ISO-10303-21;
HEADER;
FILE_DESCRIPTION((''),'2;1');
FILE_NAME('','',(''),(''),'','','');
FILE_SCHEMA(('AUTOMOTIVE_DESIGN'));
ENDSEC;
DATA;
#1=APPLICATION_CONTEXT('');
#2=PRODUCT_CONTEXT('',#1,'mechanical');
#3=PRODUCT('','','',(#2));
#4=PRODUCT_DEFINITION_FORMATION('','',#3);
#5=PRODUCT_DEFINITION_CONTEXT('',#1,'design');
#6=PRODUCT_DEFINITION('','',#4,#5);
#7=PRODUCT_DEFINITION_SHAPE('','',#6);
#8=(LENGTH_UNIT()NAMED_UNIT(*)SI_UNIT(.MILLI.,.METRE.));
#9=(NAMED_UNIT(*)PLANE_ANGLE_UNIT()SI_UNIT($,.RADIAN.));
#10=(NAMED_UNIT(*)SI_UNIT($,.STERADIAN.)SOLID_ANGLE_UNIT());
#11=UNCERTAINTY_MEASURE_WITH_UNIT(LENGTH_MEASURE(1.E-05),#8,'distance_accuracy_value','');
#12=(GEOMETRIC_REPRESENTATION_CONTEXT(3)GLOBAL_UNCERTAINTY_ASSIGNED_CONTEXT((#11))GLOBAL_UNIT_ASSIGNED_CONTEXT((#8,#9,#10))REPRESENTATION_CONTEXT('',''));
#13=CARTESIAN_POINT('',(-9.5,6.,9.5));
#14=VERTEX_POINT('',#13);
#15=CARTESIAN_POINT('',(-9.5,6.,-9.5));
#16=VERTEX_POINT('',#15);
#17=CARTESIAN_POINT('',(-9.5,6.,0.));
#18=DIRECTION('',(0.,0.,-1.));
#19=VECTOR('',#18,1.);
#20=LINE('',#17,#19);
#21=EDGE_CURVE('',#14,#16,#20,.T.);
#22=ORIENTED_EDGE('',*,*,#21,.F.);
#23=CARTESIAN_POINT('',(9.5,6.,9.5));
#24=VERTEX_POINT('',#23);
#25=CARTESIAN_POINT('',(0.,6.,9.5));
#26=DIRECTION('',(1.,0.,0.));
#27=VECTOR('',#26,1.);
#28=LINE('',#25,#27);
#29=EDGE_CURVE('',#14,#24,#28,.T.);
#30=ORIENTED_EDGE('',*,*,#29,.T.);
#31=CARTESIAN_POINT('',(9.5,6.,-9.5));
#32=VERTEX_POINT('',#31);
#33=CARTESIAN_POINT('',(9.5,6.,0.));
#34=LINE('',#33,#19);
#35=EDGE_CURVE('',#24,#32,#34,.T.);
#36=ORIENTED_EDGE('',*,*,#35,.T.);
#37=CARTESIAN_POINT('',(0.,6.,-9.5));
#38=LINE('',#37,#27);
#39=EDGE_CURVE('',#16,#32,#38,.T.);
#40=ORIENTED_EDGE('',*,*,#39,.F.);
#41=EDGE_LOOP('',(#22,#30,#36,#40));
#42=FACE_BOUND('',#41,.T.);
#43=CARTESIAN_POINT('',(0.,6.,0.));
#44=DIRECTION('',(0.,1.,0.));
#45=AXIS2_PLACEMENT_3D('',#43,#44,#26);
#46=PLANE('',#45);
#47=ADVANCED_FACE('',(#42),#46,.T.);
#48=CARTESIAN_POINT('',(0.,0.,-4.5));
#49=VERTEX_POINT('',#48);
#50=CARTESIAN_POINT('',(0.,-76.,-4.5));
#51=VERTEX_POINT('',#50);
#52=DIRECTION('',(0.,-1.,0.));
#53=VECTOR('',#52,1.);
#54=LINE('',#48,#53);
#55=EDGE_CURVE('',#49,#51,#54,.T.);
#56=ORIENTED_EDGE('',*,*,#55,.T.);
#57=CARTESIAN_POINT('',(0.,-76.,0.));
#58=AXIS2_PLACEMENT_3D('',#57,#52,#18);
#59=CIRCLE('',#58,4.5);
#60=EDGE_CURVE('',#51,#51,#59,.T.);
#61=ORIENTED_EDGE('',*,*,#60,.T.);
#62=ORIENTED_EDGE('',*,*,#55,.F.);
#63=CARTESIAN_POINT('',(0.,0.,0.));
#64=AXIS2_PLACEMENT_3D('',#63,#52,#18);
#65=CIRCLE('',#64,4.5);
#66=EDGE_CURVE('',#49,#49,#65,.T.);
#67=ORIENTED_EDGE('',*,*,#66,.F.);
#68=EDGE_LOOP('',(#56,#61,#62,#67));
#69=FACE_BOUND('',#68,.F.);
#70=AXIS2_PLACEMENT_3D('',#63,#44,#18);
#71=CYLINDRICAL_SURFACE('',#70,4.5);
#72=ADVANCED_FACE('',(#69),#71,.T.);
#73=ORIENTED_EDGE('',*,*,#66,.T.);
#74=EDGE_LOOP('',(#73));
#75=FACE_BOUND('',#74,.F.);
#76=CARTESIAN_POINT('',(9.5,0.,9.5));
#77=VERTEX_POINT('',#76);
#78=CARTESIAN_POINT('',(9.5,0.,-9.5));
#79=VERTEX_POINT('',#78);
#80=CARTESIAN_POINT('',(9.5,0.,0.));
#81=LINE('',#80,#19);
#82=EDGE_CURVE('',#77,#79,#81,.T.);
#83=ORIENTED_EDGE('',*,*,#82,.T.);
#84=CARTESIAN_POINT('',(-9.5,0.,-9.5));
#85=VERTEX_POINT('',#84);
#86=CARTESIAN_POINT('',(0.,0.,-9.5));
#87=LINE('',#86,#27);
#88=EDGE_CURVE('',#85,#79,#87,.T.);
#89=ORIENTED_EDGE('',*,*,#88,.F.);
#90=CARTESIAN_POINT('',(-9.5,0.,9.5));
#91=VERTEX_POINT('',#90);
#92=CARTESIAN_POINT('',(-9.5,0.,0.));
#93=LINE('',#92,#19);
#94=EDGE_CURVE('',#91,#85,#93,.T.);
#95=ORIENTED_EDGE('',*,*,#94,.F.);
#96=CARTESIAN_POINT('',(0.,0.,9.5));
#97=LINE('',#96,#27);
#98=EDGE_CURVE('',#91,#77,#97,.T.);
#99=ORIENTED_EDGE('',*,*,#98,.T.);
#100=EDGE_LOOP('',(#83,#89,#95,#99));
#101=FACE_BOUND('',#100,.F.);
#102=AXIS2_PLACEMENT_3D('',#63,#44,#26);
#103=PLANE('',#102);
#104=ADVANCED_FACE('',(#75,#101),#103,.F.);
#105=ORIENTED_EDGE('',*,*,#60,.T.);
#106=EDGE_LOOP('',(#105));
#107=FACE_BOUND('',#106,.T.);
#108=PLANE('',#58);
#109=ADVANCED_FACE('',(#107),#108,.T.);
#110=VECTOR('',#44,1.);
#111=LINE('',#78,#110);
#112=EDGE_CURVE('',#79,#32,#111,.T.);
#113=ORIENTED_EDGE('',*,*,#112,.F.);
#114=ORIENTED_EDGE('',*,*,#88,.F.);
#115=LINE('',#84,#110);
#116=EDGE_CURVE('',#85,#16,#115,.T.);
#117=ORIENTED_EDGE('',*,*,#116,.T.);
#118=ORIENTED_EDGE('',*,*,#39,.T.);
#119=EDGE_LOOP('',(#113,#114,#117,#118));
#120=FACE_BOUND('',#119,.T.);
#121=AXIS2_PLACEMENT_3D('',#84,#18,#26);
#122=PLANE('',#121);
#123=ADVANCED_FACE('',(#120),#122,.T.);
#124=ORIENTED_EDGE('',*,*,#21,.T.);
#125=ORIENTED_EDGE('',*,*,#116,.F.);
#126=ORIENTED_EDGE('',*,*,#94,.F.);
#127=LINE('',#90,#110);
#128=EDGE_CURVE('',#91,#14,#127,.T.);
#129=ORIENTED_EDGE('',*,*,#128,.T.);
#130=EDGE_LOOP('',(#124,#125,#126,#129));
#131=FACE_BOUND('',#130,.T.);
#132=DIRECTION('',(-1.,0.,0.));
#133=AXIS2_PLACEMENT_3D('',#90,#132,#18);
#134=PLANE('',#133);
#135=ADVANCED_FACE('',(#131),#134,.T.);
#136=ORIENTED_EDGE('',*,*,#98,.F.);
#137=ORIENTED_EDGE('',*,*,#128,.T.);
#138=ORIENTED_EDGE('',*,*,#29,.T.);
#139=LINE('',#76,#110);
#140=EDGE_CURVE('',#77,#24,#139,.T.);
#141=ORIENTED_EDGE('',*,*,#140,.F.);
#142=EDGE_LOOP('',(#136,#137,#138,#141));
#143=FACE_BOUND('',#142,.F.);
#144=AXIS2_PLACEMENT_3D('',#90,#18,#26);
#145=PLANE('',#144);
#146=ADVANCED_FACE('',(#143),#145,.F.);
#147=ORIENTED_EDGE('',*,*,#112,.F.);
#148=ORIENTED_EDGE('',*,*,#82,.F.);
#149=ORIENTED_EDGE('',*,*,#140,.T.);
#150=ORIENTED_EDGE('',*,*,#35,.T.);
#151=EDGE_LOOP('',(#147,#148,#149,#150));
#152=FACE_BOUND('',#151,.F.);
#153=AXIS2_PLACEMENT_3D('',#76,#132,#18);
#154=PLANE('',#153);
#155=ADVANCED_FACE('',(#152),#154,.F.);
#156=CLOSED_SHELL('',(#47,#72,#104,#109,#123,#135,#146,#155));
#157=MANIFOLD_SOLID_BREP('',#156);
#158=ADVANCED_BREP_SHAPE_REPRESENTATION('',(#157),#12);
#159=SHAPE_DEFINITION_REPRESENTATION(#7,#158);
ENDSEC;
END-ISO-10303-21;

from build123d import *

# Parameters (mm, degrees)
SKETCH2_W           = 19
SKETCH2_H           = 19
BOSS_EXTRUDE1_DEPTH = 6
SKETCH3_R           = 4.5
BOSS_EXTRUDE2_DEPTH = 76


with BuildPart() as part:
    # Sketch2 → Boss-Extrude1 (new body)
    with BuildSketch(Plane(origin=(0, 0, 0), x_dir=(1, 0, 0), z_dir=(0, 1, 0))):
        Rectangle(SKETCH2_W, SKETCH2_H)
    extrude(amount=BOSS_EXTRUDE1_DEPTH)

    # Sketch3 → Boss-Extrude2 (add)
    with BuildSketch(Plane(origin=(0, 0, 0), x_dir=(-1, 0, 0), z_dir=(0, -1, 0))):
        with Locations(Location((0, 0, 0), (0, 0, 90))):  # turned: the seam where the file's is
            Circle(SKETCH3_R)
    extrude(amount=BOSS_EXTRUDE2_DEPTH)


solid = part.part
